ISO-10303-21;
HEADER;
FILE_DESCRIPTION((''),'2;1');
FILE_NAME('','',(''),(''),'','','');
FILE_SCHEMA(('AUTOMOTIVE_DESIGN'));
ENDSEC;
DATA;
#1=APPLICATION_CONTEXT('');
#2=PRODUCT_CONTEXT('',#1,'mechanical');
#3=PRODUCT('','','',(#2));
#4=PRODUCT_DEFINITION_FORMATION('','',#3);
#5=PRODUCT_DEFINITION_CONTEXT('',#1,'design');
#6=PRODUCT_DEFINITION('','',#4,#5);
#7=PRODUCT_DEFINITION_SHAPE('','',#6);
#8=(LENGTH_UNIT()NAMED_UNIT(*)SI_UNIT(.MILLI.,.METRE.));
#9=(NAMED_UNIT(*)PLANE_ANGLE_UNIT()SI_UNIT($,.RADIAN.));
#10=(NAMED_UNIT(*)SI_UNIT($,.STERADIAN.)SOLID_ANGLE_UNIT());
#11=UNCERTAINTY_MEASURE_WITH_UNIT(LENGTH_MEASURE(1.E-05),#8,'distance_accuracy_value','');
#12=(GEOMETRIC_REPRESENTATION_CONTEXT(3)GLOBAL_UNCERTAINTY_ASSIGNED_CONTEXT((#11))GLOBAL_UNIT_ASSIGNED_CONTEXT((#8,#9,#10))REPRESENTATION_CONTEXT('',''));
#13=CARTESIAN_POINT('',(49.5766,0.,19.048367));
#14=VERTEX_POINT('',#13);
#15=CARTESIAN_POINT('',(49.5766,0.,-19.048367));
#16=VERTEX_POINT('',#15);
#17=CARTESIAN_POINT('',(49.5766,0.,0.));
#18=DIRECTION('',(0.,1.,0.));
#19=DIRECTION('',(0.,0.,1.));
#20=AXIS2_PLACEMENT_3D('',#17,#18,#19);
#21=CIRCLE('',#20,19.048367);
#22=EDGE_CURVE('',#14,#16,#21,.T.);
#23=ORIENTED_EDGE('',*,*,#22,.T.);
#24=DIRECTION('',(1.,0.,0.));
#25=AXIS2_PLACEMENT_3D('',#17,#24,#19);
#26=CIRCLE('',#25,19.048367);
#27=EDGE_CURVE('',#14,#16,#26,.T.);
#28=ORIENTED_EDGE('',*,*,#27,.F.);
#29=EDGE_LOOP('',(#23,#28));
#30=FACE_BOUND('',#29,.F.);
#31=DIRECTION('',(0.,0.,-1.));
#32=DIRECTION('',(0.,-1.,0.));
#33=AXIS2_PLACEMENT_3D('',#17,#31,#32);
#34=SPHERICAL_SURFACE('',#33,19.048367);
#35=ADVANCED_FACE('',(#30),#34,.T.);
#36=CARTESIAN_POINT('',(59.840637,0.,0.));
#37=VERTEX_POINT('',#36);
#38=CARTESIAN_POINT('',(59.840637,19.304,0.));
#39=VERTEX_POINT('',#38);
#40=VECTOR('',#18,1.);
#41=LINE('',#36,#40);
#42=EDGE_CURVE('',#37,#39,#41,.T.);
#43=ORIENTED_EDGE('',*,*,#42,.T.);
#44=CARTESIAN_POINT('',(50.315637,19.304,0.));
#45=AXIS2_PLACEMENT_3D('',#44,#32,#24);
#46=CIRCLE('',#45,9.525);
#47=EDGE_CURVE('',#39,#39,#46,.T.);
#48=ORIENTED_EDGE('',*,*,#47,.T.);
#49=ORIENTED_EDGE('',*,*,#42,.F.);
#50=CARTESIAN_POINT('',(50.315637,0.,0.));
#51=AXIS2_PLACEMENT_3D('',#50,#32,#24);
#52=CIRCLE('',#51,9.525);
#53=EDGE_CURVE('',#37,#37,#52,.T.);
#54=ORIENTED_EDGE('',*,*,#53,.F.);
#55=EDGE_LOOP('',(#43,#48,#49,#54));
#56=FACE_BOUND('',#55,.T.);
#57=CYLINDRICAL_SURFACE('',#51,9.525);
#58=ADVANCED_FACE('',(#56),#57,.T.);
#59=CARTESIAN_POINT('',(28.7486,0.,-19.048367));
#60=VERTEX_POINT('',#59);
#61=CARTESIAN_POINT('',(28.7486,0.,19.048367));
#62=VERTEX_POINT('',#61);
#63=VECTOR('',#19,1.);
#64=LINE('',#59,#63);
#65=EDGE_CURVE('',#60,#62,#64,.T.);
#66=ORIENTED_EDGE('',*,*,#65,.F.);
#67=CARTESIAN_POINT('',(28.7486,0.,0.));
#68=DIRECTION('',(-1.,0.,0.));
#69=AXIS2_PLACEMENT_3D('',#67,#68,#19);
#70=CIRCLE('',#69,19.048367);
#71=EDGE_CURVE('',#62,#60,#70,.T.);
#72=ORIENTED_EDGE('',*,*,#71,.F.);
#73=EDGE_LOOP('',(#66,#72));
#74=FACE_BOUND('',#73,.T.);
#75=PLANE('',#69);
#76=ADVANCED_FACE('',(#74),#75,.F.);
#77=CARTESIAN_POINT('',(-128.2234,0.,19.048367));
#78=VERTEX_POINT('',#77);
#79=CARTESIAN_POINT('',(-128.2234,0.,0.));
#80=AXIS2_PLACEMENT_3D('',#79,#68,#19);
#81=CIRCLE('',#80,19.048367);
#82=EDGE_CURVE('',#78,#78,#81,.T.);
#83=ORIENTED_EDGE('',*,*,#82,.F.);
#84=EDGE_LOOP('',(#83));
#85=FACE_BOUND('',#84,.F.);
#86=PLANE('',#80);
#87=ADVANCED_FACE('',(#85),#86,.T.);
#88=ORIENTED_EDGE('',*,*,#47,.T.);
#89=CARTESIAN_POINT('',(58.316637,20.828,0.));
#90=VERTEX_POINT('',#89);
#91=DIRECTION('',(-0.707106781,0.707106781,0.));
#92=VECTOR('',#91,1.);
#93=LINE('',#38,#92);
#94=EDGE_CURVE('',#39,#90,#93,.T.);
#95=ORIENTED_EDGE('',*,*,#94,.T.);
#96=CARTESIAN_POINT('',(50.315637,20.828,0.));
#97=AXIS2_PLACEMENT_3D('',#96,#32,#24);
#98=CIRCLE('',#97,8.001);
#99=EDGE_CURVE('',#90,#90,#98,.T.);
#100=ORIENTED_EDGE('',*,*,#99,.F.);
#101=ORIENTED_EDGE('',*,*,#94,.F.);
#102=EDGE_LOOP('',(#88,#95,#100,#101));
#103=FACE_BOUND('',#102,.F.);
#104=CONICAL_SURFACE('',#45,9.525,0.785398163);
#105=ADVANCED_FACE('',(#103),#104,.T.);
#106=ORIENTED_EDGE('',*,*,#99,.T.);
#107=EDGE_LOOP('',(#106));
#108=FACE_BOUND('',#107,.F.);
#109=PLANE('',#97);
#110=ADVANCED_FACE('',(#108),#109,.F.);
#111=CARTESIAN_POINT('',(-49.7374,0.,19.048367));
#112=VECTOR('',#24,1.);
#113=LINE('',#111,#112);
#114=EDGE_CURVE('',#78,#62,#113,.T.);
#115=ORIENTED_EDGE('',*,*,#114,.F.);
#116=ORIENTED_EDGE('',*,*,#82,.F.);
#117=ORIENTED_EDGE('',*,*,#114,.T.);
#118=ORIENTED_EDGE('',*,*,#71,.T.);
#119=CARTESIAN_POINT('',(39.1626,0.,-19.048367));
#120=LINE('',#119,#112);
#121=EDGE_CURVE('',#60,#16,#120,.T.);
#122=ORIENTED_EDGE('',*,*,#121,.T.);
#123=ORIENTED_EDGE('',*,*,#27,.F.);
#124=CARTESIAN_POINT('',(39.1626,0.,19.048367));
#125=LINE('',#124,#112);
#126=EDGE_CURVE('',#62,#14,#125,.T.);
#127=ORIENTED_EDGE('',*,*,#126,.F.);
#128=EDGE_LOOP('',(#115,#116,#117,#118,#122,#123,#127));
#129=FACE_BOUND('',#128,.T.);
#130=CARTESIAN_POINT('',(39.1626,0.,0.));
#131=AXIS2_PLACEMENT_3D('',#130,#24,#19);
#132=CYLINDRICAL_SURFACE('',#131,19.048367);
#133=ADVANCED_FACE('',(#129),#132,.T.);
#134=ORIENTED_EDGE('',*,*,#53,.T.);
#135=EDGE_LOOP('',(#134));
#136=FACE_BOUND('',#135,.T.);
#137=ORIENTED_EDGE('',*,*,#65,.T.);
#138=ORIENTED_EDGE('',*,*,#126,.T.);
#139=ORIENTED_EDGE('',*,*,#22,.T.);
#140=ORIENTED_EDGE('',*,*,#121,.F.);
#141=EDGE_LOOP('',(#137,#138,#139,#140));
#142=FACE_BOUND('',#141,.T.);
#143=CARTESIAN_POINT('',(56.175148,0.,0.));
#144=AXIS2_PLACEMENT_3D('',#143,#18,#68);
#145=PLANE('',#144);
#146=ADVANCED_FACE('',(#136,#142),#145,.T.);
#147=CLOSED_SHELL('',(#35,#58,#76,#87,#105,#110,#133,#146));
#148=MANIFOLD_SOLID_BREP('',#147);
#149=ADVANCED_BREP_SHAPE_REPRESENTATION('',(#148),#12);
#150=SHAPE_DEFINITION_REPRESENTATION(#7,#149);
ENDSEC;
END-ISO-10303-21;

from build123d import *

# Parameters (mm, degrees)
F0_W     = 156.972
F0_H     = 19.0483668515
F1_W     = 20.828
F1_H     = 19.0483668515
F4_ANGLE = 180
F5_ANGLE = 90
F2_R     = 9.525
F6_DEPTH = 20.828
F7_SIZE2 = 1.524
F7_SIZE  = 1.524


with BuildPart() as f3:
    # F0 (on Front) → F3 (revolve)
    with BuildSketch(Plane.XZ):
        with Locations((-49.7373995433, 9.5241834258)):
            Rectangle(F0_W, F0_H)
    revolve(axis=Axis((-49.7373995433, 0, 0), (-1, 0, 0)))

    # F1 (on Front) → F4 (revolve)
    with BuildSketch(Plane.XZ):
        with Locations((39.1626004567, 9.5241834258)):
            Rectangle(F1_W, F1_H)
    revolve(axis=Axis((39.1626004567, 0, 0), (1, 0, 0)), revolution_arc=F4_ANGLE)

    # F4_face (on face) → F5 (revolve)
    with BuildSketch(Plane(origin=(49.5766004567, -8.0843779793, 0), x_dir=(0, 1, 0), z_dir=(1, 0, 0))):
        with BuildLine():
            ThreePointArc((8.0843779793, 19.0483668515), (-10.9639888722, 0), (8.0843779793, -19.0483668515))
            Line((8.0843779793, -19.0483668515), (8.0843779793, 19.0483668515))
        make_face()
    revolve(axis=Axis((49.5766004567, 0, 0), (0, 0, 1)), revolution_arc=F5_ANGLE)

    # F2 (on Front) → F6 (join)
    with BuildSketch(Plane.XZ):
        with Locations((50.3156370405, 0)):
            Circle(F2_R)
    extrude(amount=-F6_DEPTH)

    # F7
    f7_edges = [f3.edges().sort_by_distance(p)[0] for p in [
        (40.790637, 20.828, 0),
    ]]
    chamfer(f7_edges, length=F7_SIZE, length2=F7_SIZE2)


solid = f3.part
